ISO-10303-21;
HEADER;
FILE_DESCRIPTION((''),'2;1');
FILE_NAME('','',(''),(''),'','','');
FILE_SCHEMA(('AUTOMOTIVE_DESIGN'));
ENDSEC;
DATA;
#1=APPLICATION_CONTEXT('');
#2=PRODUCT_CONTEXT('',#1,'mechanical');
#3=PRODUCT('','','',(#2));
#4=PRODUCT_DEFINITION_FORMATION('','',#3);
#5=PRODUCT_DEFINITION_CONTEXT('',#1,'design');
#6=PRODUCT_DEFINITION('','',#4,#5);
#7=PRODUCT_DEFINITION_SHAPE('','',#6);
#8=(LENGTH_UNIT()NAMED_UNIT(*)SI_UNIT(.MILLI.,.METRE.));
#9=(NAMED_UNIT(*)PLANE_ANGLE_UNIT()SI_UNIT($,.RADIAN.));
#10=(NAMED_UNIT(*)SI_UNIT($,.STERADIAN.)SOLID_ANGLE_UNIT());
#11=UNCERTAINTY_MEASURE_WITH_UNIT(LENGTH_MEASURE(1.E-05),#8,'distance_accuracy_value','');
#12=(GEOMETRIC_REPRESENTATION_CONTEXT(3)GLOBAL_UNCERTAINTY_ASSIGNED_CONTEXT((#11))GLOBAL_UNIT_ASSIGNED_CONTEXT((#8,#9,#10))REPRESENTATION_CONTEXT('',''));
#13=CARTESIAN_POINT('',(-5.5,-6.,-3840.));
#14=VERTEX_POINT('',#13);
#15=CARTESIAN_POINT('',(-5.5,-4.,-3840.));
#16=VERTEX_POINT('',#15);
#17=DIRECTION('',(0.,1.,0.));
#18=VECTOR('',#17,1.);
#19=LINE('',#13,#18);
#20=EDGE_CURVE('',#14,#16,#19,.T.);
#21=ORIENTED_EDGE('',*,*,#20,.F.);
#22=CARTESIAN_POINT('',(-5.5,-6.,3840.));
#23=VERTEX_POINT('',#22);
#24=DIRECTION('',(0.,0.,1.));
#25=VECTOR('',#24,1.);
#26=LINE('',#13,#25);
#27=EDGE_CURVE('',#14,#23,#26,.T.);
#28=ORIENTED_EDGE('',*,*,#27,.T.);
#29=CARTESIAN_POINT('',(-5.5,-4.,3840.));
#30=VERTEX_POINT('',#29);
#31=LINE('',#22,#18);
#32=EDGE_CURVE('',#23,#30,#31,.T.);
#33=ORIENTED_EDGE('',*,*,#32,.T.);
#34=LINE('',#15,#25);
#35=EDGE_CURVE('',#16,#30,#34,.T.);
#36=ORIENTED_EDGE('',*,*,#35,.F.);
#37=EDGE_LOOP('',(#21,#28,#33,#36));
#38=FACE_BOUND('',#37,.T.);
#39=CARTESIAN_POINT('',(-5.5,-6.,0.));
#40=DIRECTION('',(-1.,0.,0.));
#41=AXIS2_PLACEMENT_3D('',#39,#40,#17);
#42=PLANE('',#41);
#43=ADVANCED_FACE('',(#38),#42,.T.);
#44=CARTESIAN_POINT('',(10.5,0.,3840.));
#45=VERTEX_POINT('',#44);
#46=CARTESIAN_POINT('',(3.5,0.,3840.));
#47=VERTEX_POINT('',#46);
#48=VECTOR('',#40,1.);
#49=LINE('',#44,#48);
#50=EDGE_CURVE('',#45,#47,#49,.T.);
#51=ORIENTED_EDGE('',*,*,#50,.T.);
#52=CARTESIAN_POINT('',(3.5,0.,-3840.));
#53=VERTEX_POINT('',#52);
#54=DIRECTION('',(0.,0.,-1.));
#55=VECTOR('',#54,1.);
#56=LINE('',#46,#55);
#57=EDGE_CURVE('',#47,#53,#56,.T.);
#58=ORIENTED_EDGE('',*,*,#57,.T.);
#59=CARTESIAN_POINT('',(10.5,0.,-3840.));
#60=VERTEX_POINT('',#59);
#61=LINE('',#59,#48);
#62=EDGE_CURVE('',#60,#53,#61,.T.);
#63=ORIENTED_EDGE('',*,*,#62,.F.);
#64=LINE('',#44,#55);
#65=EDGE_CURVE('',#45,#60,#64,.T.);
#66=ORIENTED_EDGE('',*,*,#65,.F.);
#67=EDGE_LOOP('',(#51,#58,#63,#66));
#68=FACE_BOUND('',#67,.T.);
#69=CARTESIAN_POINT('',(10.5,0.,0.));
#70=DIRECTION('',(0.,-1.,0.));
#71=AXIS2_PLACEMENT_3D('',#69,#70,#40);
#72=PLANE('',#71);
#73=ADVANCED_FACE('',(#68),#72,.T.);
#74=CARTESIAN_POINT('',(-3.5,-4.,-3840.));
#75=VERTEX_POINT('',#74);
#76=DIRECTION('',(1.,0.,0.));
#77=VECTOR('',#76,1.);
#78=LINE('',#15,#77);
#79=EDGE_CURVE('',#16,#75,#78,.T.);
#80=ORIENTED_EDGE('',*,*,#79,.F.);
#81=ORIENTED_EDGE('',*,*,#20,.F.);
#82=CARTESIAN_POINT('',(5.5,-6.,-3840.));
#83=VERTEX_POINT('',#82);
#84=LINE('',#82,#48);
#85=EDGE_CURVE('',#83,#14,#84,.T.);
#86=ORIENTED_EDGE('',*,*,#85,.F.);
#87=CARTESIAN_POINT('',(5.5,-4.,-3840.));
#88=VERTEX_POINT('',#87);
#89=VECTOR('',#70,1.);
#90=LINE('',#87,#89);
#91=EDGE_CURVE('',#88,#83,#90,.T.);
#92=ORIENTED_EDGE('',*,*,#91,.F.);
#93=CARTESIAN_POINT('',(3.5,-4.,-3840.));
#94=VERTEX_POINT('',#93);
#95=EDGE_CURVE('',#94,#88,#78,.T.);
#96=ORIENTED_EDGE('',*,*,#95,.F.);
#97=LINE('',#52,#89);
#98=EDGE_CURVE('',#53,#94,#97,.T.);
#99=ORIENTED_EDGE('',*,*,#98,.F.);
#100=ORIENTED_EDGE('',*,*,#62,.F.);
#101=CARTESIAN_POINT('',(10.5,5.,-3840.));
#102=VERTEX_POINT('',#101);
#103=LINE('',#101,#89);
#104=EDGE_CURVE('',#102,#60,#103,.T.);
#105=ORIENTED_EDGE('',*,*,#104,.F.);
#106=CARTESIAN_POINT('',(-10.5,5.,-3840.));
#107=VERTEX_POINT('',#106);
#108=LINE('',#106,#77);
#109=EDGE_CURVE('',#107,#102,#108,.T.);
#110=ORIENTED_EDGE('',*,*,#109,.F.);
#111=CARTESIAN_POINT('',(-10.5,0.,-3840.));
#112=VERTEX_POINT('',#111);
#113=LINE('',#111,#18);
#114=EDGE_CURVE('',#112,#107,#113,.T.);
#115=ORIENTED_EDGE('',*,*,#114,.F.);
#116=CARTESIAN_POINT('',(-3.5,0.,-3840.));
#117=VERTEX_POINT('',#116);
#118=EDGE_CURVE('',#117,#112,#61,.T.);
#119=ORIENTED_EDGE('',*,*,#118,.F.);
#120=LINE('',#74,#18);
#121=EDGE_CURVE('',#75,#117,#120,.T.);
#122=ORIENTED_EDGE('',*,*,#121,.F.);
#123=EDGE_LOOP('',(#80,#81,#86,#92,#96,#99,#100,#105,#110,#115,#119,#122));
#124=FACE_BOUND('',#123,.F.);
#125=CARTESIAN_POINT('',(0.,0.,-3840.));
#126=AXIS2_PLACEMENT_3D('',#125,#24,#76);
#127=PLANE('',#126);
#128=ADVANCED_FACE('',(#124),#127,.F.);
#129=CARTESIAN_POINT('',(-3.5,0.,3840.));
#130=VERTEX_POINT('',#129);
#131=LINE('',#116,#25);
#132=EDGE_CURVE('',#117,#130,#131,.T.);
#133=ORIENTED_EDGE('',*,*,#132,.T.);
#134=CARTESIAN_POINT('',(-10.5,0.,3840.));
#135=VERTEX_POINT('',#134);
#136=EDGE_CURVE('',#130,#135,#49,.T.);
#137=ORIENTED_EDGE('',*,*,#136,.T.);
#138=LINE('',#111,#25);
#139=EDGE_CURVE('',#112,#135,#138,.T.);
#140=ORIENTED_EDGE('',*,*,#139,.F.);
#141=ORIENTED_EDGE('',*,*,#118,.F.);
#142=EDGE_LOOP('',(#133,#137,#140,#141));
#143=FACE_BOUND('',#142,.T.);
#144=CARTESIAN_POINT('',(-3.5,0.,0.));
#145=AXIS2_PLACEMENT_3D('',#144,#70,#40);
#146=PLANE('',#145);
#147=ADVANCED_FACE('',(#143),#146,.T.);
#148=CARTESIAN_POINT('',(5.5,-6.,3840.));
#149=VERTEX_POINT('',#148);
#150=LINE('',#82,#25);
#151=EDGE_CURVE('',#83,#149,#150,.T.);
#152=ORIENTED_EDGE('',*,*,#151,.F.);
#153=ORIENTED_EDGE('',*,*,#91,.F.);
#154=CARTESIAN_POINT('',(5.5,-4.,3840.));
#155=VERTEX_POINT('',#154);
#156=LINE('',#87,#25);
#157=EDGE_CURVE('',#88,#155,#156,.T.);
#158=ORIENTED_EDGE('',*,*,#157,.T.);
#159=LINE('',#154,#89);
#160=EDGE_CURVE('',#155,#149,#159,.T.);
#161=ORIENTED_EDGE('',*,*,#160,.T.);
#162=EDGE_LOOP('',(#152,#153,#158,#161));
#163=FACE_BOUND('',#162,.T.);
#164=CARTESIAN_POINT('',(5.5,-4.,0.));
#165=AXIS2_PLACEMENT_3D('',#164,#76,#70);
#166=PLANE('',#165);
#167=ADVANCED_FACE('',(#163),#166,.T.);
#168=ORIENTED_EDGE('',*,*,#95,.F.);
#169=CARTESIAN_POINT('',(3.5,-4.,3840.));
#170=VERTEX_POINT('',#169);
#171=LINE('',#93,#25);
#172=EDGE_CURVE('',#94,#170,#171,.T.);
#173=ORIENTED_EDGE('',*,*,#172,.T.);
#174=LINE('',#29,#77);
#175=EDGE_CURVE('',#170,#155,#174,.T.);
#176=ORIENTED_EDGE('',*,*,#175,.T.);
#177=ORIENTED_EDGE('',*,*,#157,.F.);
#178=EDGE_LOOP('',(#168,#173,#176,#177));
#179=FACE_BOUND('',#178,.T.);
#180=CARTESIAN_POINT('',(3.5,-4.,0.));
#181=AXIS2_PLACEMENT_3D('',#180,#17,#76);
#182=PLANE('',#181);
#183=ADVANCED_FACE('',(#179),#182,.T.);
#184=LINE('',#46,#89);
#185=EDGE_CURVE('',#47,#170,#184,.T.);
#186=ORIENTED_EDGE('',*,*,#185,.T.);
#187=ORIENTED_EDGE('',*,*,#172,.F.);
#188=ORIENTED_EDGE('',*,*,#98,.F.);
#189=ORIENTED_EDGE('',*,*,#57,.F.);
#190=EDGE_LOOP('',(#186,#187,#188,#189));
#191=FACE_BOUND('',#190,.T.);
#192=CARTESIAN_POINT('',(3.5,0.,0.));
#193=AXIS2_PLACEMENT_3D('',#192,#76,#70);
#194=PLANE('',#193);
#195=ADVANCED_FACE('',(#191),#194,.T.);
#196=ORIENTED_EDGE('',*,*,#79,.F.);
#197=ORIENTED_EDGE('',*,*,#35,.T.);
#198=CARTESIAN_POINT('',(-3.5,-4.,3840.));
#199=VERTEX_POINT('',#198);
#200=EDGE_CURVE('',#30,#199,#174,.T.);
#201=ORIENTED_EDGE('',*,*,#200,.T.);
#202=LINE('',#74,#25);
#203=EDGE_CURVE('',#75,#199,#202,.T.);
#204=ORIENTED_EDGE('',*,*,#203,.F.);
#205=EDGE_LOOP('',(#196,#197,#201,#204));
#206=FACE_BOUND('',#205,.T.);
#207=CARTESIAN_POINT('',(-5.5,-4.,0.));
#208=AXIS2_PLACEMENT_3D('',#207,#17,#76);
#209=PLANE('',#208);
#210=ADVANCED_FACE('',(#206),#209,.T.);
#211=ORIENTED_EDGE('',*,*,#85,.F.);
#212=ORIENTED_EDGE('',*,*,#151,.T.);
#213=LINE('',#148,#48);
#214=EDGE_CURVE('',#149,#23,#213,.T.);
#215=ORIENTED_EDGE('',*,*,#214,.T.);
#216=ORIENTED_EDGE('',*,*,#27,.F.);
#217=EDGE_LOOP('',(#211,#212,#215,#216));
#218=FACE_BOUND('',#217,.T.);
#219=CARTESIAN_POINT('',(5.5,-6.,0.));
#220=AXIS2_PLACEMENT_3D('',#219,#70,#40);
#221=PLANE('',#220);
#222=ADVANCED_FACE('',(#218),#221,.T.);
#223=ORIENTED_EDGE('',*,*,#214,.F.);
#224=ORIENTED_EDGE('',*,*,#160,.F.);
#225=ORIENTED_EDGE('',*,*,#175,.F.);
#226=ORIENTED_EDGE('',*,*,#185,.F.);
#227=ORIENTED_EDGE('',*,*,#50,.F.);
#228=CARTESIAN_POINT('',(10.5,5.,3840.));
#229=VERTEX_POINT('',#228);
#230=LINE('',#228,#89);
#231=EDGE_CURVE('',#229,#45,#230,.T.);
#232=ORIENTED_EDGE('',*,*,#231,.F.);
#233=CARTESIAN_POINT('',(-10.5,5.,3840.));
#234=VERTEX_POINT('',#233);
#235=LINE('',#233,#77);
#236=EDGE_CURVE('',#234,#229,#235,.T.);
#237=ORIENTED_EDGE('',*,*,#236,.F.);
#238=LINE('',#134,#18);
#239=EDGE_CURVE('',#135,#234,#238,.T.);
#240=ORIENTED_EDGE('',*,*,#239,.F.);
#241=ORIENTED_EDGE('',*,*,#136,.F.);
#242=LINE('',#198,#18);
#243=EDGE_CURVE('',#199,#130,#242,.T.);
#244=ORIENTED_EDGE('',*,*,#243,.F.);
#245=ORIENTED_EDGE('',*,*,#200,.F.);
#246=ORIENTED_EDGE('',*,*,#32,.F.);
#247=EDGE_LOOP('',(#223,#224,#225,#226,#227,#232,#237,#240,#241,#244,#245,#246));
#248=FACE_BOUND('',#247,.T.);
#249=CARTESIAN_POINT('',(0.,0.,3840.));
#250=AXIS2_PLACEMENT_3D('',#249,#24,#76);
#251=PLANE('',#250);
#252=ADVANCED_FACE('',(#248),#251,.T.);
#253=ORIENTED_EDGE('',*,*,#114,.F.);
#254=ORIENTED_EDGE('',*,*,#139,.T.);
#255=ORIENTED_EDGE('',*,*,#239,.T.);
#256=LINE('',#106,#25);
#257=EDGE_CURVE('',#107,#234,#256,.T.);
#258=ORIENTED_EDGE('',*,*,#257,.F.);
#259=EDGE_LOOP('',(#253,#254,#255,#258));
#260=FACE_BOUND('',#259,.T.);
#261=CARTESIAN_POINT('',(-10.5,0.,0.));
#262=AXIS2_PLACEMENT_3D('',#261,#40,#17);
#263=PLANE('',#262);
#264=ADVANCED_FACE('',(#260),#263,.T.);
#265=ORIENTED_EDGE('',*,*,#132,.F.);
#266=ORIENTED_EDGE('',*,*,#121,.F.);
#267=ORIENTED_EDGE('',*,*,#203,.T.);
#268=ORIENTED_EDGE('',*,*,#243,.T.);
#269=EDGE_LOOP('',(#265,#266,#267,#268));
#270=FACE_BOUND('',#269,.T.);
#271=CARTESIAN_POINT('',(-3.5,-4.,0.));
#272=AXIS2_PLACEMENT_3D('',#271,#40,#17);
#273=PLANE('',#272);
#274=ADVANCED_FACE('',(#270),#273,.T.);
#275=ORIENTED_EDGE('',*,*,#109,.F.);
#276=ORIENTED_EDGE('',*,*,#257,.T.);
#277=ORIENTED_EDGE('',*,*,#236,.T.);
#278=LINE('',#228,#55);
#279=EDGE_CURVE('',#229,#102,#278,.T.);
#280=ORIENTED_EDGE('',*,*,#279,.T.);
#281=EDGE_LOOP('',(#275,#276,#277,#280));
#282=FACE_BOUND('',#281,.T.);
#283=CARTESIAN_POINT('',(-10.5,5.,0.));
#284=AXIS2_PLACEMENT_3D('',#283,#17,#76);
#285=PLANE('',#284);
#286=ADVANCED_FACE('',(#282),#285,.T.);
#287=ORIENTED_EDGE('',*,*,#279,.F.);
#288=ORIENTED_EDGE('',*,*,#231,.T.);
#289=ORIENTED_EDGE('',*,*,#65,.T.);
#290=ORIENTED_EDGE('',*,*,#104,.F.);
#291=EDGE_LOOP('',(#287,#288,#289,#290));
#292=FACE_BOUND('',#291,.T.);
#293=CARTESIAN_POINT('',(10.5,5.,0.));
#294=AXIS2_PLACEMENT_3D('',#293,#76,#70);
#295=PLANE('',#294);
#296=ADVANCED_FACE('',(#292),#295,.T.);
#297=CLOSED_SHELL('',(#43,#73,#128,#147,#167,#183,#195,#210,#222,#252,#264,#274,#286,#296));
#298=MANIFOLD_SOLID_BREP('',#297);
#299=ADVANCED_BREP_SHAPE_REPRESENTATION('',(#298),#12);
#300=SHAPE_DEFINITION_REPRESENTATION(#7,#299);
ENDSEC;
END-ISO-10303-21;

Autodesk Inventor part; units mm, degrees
ref_plane "YZ Plane" through (0, 0, 0) normal (1, 0, 0) x (0, 1, 0)
ref_plane "XZ Plane" through (0, 0, 0) normal (0, 1, 0) x (-1, 0, 0)
ref_plane "XY Plane" through (0, 0, 0) normal (0, 0, 1) x (1, 0, 0)
sketch "스케치9" plane through (0, 0, 0) normal (0, 0, 1) x (1, 0, 0)
  line L0 (-10.5, 5) -> (10.5, 5)
  line L1 (10.5, 5) -> (10.5, 0)
  line L2 (10.5, 0) -> (-10.5, 0)
  line L3 (-10.5, 0) -> (-10.5, 5)
  line L4 (-3.5, 0) -> (3.5, 0)
  line L5 (3.5, 0) -> (3.5, -4)
  line L6 (3.5, -4) -> (-3.5, -4)
  line L7 (-3.5, -4) -> (-3.5, 0)
  line L8 (-5.5, -4) -> (5.5, -4)
  line L9 (5.5, -4) -> (5.5, -6)
  line L10 (5.5, -6) -> (-5.5, -6)
  line L11 (-5.5, -6) -> (-5.5, -4)
  point P0 (0, 0)
  point P1 (0, 0)
  point P2 (0, -4)
  dimension "d40" = 11
  dimension "d41" = 21
  dimension "d42" = 7
  dimension "d43" = 5
  dimension "d44" = 4
  dimension "d45" = 2
extrude "돌출4" add sketch "스케치9" along normal mid plane 7680
equation "\"d46\" = L1 + L2"
equation "\"L1\" = 6000"
equation "\"L2\" = 1680"
properties part number "TL20240701-10100CV-GUIDE RAIL_H-21" material "SS400"
